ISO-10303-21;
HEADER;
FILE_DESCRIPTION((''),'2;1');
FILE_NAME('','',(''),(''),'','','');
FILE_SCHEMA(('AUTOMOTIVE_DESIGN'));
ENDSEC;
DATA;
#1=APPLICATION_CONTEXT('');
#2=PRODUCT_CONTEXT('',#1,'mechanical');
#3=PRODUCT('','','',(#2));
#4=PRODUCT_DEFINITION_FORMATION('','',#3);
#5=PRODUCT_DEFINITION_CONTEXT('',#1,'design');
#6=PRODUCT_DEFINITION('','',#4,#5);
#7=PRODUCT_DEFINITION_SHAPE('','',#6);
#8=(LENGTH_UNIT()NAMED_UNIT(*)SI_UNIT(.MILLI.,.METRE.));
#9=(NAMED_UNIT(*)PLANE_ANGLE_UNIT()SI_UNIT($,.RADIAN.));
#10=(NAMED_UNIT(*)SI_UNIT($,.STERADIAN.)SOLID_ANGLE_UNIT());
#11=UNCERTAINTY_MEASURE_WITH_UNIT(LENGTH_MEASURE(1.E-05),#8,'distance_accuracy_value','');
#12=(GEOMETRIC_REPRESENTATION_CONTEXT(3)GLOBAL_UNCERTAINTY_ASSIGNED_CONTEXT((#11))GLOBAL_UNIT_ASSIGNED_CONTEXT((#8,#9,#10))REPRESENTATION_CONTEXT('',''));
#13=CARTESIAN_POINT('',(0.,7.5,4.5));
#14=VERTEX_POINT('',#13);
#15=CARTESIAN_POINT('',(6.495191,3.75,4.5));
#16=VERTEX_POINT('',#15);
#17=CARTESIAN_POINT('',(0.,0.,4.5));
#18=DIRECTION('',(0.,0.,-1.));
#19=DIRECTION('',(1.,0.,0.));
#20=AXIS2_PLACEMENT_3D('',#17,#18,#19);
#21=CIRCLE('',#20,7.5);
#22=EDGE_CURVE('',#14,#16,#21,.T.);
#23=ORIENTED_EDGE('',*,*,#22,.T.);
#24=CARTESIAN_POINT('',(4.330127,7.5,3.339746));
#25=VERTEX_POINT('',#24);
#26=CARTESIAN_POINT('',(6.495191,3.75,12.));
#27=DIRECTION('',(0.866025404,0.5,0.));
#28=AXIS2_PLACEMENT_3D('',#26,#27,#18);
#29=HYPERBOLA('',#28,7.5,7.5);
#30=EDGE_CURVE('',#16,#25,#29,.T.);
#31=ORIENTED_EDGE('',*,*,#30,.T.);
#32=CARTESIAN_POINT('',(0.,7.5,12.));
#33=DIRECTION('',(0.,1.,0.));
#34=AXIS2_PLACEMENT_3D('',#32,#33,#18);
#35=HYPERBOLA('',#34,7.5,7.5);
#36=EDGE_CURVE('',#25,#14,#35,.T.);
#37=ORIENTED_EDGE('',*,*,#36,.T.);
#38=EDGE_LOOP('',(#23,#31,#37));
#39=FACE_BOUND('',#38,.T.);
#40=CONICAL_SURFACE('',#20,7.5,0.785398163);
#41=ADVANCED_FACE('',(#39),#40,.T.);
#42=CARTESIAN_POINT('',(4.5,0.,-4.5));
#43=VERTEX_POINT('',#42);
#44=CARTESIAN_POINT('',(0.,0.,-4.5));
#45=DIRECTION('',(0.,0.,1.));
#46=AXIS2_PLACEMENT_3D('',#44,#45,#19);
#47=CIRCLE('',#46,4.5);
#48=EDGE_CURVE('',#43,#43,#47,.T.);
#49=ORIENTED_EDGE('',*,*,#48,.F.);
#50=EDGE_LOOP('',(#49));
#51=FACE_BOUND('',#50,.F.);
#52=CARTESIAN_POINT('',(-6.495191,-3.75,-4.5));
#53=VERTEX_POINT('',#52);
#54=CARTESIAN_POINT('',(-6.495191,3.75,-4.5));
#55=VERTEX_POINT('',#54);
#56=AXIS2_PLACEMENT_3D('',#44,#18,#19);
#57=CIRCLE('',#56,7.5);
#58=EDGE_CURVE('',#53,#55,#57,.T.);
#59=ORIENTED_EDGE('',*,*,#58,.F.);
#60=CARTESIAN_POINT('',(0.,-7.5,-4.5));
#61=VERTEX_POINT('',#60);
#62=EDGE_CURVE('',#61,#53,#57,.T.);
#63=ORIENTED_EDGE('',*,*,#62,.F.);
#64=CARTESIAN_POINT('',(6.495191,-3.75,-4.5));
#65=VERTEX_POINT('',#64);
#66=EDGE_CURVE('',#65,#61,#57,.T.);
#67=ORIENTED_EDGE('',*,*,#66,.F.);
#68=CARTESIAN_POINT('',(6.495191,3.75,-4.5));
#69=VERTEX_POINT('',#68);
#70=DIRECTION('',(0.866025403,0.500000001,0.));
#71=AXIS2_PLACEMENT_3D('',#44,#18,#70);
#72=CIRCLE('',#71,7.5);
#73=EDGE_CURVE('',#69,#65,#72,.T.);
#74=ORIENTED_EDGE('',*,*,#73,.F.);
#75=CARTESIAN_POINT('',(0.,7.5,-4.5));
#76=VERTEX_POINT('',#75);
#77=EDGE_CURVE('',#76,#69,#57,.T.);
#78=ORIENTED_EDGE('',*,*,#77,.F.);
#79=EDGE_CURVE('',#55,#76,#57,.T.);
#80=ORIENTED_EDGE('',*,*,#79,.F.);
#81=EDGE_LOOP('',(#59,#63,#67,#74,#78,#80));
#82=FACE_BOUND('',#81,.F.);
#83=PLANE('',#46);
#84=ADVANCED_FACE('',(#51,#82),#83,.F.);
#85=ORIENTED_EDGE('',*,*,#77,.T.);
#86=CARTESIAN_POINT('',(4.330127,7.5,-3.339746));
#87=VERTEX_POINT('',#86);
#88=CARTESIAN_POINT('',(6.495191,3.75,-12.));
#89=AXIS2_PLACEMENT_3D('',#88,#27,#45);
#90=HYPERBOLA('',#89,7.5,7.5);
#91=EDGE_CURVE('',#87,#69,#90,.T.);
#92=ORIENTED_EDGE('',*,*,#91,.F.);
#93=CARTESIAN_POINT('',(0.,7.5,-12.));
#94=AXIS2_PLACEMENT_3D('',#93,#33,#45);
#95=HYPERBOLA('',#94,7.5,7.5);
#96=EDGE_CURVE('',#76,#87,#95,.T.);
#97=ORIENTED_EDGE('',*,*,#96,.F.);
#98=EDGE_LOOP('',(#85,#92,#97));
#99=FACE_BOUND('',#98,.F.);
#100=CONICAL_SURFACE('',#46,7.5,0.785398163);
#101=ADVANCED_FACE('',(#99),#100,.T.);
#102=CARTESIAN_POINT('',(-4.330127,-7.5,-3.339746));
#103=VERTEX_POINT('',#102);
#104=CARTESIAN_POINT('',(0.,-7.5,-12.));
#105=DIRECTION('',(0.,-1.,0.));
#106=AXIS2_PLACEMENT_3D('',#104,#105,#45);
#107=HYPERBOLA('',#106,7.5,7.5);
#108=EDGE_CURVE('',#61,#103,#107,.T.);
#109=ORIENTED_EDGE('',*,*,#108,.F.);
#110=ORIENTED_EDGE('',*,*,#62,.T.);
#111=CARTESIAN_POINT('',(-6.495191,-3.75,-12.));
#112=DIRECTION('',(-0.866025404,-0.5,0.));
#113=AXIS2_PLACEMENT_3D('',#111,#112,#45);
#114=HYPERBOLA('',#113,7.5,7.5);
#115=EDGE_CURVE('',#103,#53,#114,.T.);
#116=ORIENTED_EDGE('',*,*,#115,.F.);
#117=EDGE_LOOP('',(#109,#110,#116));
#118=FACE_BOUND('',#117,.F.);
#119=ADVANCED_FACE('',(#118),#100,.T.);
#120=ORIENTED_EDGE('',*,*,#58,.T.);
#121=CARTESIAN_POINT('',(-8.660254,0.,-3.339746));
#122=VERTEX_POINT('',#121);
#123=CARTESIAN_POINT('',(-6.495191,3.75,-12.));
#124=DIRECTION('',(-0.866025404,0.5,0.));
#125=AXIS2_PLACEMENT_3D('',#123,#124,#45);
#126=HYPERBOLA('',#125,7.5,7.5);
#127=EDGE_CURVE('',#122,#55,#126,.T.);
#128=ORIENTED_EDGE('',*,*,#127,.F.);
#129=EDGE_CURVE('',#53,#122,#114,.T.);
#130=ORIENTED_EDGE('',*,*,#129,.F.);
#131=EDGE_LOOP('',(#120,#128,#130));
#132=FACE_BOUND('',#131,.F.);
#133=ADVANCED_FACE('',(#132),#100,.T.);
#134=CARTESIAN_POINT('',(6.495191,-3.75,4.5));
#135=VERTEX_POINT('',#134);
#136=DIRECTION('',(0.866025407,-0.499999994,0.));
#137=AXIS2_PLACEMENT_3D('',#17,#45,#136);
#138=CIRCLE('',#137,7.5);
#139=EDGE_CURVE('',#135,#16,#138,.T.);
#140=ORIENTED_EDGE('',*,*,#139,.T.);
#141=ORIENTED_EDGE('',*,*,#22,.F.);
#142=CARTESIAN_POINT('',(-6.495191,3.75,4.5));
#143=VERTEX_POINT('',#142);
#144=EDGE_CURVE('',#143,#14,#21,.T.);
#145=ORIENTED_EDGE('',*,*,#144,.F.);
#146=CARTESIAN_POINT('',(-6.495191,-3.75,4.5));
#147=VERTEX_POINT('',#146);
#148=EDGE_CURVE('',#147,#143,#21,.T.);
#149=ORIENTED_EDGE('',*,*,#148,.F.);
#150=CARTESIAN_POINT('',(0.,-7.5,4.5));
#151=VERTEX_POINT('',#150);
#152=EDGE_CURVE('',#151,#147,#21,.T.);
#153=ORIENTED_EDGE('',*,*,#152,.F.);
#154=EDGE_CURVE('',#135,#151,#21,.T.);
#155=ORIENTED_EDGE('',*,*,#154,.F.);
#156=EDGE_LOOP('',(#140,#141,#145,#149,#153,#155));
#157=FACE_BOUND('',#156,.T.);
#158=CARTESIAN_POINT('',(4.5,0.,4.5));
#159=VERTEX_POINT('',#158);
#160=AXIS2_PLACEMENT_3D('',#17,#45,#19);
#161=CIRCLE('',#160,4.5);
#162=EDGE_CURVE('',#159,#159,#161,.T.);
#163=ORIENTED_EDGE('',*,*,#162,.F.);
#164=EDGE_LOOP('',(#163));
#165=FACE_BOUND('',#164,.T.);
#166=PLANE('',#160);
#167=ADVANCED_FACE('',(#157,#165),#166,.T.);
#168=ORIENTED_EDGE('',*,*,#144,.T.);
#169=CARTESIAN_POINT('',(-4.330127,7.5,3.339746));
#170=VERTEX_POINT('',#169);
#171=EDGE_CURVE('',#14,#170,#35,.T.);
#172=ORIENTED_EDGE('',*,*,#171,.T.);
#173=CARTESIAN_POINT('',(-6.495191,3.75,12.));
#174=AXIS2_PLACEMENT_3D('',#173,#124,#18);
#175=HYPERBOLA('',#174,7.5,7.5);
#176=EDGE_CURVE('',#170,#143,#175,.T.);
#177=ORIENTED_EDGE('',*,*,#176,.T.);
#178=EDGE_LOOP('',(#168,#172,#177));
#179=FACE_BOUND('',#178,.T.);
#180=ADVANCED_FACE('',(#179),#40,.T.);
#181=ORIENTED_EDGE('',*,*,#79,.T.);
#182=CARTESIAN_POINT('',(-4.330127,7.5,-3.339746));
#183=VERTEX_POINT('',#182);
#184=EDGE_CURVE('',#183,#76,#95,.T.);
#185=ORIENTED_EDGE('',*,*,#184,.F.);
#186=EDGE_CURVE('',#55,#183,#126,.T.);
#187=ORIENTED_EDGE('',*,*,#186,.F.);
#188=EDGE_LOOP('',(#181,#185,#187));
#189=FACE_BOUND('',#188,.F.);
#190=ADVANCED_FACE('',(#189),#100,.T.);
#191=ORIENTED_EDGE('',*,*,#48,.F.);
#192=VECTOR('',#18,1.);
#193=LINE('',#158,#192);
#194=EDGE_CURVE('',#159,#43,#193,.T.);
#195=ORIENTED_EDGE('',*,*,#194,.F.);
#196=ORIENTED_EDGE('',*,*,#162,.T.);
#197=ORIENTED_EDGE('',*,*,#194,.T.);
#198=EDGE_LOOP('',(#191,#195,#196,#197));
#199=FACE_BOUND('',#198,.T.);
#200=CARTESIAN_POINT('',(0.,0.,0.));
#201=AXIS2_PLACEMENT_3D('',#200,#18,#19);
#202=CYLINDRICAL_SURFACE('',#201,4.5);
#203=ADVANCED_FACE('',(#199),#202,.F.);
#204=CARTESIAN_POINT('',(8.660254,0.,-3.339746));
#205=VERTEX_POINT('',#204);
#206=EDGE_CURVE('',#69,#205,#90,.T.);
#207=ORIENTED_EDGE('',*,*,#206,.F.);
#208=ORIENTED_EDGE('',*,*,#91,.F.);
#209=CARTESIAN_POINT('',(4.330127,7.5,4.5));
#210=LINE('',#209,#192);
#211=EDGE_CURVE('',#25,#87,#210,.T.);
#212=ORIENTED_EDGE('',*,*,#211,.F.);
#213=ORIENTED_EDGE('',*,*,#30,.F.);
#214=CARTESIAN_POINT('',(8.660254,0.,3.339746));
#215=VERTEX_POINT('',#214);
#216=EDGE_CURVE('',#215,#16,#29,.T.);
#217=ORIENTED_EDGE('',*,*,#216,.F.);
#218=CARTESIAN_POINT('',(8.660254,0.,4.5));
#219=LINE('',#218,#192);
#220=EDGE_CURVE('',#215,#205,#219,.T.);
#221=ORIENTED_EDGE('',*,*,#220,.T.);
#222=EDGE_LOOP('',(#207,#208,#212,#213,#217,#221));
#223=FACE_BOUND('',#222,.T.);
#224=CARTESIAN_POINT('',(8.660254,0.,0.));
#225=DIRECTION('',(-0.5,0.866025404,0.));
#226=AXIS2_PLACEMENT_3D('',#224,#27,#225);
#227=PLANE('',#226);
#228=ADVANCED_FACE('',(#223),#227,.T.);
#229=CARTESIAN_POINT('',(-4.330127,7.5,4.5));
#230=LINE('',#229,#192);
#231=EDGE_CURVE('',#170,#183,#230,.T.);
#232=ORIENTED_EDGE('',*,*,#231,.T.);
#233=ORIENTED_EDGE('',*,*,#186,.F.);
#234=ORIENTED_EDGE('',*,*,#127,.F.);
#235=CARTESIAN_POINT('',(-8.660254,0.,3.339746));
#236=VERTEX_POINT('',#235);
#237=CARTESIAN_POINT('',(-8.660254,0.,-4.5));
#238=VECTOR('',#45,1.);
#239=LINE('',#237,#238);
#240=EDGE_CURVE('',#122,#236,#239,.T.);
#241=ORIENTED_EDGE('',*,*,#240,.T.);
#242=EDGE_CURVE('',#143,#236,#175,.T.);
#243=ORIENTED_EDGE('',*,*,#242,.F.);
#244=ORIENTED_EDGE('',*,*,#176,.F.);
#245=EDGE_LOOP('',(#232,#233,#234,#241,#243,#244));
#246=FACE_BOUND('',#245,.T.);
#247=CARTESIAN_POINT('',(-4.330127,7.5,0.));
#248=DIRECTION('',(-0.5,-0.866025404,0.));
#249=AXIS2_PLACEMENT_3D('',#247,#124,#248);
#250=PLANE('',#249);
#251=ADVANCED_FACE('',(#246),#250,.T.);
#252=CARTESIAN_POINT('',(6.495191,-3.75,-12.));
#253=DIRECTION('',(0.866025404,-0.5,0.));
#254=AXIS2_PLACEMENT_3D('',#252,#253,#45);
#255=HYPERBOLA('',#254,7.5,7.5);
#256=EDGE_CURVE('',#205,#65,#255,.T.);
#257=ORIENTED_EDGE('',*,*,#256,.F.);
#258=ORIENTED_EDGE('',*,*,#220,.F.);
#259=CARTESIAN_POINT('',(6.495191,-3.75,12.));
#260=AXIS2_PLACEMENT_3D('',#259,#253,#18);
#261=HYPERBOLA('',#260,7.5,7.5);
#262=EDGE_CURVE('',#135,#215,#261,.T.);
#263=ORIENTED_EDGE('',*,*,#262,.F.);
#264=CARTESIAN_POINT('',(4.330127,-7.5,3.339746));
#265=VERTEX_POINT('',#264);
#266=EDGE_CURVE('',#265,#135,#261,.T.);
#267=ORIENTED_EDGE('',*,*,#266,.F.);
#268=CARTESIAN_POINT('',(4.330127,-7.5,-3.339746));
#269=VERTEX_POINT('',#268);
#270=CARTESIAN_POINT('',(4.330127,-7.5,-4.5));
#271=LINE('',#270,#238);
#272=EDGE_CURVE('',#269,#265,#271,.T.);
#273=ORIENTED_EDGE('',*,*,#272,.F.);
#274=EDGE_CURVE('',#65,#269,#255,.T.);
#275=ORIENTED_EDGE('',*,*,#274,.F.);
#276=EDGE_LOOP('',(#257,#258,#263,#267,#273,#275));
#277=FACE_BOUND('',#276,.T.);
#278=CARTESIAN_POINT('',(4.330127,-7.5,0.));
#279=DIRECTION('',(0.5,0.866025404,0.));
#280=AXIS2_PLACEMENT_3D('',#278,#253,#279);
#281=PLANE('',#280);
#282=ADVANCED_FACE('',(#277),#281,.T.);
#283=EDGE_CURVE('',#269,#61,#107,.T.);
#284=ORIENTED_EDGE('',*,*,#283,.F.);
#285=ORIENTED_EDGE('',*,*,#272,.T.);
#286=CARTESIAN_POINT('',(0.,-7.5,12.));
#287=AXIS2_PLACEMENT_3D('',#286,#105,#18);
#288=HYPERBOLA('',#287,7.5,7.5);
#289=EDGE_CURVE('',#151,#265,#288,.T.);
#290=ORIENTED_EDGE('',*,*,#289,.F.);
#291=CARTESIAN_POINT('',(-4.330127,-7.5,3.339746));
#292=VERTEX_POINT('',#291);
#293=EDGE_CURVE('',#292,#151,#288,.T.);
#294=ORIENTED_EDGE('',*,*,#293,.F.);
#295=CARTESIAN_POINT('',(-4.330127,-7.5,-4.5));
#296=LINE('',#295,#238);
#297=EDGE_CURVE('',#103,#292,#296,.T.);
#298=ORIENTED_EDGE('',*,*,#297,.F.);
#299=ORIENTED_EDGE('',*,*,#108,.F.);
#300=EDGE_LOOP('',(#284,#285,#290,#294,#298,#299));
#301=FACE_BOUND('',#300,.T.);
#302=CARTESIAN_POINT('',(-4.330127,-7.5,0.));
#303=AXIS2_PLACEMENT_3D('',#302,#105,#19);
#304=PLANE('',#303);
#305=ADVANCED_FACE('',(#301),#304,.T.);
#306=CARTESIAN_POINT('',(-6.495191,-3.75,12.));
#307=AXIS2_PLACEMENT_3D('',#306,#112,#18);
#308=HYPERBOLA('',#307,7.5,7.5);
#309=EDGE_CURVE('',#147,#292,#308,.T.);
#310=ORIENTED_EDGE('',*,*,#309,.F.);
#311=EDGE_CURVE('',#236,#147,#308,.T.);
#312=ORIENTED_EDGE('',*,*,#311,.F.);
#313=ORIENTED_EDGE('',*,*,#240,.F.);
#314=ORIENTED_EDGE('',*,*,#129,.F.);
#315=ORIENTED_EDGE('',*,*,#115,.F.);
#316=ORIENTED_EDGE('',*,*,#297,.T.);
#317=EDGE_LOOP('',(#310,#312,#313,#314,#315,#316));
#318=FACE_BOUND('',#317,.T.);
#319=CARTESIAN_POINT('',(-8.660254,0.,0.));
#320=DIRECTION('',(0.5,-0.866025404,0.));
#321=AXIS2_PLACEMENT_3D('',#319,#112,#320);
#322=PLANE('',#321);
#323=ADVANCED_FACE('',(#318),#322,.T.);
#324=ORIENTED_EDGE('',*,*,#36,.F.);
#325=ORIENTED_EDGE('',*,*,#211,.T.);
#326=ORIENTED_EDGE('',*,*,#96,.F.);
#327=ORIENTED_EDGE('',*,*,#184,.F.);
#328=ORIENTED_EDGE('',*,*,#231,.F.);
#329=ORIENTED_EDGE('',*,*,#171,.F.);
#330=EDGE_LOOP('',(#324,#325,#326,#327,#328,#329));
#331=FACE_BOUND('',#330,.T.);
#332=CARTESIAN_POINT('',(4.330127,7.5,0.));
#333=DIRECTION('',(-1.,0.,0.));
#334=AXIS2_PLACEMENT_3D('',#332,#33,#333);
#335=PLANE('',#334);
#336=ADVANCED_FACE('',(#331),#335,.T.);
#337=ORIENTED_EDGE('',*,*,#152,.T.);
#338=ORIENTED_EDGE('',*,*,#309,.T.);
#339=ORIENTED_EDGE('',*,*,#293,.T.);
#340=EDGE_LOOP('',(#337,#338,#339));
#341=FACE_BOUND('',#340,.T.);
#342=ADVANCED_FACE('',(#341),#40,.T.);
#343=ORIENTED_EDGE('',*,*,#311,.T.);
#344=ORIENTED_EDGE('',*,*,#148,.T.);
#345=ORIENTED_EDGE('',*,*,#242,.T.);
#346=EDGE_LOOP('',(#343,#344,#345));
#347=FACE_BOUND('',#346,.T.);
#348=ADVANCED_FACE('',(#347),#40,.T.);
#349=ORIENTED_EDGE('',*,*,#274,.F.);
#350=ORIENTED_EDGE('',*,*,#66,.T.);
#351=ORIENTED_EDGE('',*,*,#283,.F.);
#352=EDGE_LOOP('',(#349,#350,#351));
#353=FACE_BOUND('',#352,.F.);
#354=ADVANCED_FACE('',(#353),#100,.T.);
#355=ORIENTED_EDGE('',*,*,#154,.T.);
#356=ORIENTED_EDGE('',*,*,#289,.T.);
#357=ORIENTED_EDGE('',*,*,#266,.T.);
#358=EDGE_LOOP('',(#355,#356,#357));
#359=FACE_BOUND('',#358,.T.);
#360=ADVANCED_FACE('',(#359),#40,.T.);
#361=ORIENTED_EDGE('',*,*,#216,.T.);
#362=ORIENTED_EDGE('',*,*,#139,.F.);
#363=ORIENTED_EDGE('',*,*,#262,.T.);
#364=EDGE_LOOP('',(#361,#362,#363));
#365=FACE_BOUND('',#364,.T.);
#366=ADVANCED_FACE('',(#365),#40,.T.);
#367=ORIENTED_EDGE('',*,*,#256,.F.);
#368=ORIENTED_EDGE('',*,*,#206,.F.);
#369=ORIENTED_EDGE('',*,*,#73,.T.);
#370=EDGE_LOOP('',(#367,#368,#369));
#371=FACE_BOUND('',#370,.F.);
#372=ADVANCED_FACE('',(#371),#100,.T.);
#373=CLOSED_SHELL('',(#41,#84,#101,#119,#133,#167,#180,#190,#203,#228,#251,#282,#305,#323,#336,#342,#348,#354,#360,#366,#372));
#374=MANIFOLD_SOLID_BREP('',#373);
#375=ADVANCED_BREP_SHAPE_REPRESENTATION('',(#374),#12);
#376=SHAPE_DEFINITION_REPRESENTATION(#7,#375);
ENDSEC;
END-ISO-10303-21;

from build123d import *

# Parameters (mm, degrees)
SKETCH1_R           = 4.5
BOSS_EXTRUDE2_DEPTH = 4.5
SKETCH4_OUTSIDE_W   = 42.244
SKETCH4_OUTSIDE_H   = 39.924
SKETCH4_OUTSIDE_R   = 7.5
CUT_EXTRUDE2_DEPTH  = 9
CUT_EXTRUDE2_TAPER  = 45


with BuildPart() as part:
    # Sketch1 → Boss-Extrude2 (new body, symmetric)
    with BuildSketch(Plane.XY):
        Polygon((-4.330127019, 7.5), (-8.660254038, 0), (-4.330127019, -7.5), (4.330127019, -7.5), (8.660254038, 0), (4.330127019, 7.5), align=None)
        Circle(SKETCH1_R, mode=Mode.SUBTRACT)
    extrude(amount=BOSS_EXTRUDE2_DEPTH, both=True)

    # Sketch4 outside → Cut-Extrude2 (cut)
    with BuildSketch(Plane.XY.offset(4.5)):
        Rectangle(SKETCH4_OUTSIDE_W, SKETCH4_OUTSIDE_H)
        Circle(SKETCH4_OUTSIDE_R, mode=Mode.SUBTRACT)
    cut_extrude2 = extrude(amount=-CUT_EXTRUDE2_DEPTH, taper=CUT_EXTRUDE2_TAPER, mode=Mode.SUBTRACT)

    # Mirror3: Cut-Extrude2 across plane
    add(cut_extrude2.mirror(Plane.XY), mode=Mode.SUBTRACT)


solid = part.part
